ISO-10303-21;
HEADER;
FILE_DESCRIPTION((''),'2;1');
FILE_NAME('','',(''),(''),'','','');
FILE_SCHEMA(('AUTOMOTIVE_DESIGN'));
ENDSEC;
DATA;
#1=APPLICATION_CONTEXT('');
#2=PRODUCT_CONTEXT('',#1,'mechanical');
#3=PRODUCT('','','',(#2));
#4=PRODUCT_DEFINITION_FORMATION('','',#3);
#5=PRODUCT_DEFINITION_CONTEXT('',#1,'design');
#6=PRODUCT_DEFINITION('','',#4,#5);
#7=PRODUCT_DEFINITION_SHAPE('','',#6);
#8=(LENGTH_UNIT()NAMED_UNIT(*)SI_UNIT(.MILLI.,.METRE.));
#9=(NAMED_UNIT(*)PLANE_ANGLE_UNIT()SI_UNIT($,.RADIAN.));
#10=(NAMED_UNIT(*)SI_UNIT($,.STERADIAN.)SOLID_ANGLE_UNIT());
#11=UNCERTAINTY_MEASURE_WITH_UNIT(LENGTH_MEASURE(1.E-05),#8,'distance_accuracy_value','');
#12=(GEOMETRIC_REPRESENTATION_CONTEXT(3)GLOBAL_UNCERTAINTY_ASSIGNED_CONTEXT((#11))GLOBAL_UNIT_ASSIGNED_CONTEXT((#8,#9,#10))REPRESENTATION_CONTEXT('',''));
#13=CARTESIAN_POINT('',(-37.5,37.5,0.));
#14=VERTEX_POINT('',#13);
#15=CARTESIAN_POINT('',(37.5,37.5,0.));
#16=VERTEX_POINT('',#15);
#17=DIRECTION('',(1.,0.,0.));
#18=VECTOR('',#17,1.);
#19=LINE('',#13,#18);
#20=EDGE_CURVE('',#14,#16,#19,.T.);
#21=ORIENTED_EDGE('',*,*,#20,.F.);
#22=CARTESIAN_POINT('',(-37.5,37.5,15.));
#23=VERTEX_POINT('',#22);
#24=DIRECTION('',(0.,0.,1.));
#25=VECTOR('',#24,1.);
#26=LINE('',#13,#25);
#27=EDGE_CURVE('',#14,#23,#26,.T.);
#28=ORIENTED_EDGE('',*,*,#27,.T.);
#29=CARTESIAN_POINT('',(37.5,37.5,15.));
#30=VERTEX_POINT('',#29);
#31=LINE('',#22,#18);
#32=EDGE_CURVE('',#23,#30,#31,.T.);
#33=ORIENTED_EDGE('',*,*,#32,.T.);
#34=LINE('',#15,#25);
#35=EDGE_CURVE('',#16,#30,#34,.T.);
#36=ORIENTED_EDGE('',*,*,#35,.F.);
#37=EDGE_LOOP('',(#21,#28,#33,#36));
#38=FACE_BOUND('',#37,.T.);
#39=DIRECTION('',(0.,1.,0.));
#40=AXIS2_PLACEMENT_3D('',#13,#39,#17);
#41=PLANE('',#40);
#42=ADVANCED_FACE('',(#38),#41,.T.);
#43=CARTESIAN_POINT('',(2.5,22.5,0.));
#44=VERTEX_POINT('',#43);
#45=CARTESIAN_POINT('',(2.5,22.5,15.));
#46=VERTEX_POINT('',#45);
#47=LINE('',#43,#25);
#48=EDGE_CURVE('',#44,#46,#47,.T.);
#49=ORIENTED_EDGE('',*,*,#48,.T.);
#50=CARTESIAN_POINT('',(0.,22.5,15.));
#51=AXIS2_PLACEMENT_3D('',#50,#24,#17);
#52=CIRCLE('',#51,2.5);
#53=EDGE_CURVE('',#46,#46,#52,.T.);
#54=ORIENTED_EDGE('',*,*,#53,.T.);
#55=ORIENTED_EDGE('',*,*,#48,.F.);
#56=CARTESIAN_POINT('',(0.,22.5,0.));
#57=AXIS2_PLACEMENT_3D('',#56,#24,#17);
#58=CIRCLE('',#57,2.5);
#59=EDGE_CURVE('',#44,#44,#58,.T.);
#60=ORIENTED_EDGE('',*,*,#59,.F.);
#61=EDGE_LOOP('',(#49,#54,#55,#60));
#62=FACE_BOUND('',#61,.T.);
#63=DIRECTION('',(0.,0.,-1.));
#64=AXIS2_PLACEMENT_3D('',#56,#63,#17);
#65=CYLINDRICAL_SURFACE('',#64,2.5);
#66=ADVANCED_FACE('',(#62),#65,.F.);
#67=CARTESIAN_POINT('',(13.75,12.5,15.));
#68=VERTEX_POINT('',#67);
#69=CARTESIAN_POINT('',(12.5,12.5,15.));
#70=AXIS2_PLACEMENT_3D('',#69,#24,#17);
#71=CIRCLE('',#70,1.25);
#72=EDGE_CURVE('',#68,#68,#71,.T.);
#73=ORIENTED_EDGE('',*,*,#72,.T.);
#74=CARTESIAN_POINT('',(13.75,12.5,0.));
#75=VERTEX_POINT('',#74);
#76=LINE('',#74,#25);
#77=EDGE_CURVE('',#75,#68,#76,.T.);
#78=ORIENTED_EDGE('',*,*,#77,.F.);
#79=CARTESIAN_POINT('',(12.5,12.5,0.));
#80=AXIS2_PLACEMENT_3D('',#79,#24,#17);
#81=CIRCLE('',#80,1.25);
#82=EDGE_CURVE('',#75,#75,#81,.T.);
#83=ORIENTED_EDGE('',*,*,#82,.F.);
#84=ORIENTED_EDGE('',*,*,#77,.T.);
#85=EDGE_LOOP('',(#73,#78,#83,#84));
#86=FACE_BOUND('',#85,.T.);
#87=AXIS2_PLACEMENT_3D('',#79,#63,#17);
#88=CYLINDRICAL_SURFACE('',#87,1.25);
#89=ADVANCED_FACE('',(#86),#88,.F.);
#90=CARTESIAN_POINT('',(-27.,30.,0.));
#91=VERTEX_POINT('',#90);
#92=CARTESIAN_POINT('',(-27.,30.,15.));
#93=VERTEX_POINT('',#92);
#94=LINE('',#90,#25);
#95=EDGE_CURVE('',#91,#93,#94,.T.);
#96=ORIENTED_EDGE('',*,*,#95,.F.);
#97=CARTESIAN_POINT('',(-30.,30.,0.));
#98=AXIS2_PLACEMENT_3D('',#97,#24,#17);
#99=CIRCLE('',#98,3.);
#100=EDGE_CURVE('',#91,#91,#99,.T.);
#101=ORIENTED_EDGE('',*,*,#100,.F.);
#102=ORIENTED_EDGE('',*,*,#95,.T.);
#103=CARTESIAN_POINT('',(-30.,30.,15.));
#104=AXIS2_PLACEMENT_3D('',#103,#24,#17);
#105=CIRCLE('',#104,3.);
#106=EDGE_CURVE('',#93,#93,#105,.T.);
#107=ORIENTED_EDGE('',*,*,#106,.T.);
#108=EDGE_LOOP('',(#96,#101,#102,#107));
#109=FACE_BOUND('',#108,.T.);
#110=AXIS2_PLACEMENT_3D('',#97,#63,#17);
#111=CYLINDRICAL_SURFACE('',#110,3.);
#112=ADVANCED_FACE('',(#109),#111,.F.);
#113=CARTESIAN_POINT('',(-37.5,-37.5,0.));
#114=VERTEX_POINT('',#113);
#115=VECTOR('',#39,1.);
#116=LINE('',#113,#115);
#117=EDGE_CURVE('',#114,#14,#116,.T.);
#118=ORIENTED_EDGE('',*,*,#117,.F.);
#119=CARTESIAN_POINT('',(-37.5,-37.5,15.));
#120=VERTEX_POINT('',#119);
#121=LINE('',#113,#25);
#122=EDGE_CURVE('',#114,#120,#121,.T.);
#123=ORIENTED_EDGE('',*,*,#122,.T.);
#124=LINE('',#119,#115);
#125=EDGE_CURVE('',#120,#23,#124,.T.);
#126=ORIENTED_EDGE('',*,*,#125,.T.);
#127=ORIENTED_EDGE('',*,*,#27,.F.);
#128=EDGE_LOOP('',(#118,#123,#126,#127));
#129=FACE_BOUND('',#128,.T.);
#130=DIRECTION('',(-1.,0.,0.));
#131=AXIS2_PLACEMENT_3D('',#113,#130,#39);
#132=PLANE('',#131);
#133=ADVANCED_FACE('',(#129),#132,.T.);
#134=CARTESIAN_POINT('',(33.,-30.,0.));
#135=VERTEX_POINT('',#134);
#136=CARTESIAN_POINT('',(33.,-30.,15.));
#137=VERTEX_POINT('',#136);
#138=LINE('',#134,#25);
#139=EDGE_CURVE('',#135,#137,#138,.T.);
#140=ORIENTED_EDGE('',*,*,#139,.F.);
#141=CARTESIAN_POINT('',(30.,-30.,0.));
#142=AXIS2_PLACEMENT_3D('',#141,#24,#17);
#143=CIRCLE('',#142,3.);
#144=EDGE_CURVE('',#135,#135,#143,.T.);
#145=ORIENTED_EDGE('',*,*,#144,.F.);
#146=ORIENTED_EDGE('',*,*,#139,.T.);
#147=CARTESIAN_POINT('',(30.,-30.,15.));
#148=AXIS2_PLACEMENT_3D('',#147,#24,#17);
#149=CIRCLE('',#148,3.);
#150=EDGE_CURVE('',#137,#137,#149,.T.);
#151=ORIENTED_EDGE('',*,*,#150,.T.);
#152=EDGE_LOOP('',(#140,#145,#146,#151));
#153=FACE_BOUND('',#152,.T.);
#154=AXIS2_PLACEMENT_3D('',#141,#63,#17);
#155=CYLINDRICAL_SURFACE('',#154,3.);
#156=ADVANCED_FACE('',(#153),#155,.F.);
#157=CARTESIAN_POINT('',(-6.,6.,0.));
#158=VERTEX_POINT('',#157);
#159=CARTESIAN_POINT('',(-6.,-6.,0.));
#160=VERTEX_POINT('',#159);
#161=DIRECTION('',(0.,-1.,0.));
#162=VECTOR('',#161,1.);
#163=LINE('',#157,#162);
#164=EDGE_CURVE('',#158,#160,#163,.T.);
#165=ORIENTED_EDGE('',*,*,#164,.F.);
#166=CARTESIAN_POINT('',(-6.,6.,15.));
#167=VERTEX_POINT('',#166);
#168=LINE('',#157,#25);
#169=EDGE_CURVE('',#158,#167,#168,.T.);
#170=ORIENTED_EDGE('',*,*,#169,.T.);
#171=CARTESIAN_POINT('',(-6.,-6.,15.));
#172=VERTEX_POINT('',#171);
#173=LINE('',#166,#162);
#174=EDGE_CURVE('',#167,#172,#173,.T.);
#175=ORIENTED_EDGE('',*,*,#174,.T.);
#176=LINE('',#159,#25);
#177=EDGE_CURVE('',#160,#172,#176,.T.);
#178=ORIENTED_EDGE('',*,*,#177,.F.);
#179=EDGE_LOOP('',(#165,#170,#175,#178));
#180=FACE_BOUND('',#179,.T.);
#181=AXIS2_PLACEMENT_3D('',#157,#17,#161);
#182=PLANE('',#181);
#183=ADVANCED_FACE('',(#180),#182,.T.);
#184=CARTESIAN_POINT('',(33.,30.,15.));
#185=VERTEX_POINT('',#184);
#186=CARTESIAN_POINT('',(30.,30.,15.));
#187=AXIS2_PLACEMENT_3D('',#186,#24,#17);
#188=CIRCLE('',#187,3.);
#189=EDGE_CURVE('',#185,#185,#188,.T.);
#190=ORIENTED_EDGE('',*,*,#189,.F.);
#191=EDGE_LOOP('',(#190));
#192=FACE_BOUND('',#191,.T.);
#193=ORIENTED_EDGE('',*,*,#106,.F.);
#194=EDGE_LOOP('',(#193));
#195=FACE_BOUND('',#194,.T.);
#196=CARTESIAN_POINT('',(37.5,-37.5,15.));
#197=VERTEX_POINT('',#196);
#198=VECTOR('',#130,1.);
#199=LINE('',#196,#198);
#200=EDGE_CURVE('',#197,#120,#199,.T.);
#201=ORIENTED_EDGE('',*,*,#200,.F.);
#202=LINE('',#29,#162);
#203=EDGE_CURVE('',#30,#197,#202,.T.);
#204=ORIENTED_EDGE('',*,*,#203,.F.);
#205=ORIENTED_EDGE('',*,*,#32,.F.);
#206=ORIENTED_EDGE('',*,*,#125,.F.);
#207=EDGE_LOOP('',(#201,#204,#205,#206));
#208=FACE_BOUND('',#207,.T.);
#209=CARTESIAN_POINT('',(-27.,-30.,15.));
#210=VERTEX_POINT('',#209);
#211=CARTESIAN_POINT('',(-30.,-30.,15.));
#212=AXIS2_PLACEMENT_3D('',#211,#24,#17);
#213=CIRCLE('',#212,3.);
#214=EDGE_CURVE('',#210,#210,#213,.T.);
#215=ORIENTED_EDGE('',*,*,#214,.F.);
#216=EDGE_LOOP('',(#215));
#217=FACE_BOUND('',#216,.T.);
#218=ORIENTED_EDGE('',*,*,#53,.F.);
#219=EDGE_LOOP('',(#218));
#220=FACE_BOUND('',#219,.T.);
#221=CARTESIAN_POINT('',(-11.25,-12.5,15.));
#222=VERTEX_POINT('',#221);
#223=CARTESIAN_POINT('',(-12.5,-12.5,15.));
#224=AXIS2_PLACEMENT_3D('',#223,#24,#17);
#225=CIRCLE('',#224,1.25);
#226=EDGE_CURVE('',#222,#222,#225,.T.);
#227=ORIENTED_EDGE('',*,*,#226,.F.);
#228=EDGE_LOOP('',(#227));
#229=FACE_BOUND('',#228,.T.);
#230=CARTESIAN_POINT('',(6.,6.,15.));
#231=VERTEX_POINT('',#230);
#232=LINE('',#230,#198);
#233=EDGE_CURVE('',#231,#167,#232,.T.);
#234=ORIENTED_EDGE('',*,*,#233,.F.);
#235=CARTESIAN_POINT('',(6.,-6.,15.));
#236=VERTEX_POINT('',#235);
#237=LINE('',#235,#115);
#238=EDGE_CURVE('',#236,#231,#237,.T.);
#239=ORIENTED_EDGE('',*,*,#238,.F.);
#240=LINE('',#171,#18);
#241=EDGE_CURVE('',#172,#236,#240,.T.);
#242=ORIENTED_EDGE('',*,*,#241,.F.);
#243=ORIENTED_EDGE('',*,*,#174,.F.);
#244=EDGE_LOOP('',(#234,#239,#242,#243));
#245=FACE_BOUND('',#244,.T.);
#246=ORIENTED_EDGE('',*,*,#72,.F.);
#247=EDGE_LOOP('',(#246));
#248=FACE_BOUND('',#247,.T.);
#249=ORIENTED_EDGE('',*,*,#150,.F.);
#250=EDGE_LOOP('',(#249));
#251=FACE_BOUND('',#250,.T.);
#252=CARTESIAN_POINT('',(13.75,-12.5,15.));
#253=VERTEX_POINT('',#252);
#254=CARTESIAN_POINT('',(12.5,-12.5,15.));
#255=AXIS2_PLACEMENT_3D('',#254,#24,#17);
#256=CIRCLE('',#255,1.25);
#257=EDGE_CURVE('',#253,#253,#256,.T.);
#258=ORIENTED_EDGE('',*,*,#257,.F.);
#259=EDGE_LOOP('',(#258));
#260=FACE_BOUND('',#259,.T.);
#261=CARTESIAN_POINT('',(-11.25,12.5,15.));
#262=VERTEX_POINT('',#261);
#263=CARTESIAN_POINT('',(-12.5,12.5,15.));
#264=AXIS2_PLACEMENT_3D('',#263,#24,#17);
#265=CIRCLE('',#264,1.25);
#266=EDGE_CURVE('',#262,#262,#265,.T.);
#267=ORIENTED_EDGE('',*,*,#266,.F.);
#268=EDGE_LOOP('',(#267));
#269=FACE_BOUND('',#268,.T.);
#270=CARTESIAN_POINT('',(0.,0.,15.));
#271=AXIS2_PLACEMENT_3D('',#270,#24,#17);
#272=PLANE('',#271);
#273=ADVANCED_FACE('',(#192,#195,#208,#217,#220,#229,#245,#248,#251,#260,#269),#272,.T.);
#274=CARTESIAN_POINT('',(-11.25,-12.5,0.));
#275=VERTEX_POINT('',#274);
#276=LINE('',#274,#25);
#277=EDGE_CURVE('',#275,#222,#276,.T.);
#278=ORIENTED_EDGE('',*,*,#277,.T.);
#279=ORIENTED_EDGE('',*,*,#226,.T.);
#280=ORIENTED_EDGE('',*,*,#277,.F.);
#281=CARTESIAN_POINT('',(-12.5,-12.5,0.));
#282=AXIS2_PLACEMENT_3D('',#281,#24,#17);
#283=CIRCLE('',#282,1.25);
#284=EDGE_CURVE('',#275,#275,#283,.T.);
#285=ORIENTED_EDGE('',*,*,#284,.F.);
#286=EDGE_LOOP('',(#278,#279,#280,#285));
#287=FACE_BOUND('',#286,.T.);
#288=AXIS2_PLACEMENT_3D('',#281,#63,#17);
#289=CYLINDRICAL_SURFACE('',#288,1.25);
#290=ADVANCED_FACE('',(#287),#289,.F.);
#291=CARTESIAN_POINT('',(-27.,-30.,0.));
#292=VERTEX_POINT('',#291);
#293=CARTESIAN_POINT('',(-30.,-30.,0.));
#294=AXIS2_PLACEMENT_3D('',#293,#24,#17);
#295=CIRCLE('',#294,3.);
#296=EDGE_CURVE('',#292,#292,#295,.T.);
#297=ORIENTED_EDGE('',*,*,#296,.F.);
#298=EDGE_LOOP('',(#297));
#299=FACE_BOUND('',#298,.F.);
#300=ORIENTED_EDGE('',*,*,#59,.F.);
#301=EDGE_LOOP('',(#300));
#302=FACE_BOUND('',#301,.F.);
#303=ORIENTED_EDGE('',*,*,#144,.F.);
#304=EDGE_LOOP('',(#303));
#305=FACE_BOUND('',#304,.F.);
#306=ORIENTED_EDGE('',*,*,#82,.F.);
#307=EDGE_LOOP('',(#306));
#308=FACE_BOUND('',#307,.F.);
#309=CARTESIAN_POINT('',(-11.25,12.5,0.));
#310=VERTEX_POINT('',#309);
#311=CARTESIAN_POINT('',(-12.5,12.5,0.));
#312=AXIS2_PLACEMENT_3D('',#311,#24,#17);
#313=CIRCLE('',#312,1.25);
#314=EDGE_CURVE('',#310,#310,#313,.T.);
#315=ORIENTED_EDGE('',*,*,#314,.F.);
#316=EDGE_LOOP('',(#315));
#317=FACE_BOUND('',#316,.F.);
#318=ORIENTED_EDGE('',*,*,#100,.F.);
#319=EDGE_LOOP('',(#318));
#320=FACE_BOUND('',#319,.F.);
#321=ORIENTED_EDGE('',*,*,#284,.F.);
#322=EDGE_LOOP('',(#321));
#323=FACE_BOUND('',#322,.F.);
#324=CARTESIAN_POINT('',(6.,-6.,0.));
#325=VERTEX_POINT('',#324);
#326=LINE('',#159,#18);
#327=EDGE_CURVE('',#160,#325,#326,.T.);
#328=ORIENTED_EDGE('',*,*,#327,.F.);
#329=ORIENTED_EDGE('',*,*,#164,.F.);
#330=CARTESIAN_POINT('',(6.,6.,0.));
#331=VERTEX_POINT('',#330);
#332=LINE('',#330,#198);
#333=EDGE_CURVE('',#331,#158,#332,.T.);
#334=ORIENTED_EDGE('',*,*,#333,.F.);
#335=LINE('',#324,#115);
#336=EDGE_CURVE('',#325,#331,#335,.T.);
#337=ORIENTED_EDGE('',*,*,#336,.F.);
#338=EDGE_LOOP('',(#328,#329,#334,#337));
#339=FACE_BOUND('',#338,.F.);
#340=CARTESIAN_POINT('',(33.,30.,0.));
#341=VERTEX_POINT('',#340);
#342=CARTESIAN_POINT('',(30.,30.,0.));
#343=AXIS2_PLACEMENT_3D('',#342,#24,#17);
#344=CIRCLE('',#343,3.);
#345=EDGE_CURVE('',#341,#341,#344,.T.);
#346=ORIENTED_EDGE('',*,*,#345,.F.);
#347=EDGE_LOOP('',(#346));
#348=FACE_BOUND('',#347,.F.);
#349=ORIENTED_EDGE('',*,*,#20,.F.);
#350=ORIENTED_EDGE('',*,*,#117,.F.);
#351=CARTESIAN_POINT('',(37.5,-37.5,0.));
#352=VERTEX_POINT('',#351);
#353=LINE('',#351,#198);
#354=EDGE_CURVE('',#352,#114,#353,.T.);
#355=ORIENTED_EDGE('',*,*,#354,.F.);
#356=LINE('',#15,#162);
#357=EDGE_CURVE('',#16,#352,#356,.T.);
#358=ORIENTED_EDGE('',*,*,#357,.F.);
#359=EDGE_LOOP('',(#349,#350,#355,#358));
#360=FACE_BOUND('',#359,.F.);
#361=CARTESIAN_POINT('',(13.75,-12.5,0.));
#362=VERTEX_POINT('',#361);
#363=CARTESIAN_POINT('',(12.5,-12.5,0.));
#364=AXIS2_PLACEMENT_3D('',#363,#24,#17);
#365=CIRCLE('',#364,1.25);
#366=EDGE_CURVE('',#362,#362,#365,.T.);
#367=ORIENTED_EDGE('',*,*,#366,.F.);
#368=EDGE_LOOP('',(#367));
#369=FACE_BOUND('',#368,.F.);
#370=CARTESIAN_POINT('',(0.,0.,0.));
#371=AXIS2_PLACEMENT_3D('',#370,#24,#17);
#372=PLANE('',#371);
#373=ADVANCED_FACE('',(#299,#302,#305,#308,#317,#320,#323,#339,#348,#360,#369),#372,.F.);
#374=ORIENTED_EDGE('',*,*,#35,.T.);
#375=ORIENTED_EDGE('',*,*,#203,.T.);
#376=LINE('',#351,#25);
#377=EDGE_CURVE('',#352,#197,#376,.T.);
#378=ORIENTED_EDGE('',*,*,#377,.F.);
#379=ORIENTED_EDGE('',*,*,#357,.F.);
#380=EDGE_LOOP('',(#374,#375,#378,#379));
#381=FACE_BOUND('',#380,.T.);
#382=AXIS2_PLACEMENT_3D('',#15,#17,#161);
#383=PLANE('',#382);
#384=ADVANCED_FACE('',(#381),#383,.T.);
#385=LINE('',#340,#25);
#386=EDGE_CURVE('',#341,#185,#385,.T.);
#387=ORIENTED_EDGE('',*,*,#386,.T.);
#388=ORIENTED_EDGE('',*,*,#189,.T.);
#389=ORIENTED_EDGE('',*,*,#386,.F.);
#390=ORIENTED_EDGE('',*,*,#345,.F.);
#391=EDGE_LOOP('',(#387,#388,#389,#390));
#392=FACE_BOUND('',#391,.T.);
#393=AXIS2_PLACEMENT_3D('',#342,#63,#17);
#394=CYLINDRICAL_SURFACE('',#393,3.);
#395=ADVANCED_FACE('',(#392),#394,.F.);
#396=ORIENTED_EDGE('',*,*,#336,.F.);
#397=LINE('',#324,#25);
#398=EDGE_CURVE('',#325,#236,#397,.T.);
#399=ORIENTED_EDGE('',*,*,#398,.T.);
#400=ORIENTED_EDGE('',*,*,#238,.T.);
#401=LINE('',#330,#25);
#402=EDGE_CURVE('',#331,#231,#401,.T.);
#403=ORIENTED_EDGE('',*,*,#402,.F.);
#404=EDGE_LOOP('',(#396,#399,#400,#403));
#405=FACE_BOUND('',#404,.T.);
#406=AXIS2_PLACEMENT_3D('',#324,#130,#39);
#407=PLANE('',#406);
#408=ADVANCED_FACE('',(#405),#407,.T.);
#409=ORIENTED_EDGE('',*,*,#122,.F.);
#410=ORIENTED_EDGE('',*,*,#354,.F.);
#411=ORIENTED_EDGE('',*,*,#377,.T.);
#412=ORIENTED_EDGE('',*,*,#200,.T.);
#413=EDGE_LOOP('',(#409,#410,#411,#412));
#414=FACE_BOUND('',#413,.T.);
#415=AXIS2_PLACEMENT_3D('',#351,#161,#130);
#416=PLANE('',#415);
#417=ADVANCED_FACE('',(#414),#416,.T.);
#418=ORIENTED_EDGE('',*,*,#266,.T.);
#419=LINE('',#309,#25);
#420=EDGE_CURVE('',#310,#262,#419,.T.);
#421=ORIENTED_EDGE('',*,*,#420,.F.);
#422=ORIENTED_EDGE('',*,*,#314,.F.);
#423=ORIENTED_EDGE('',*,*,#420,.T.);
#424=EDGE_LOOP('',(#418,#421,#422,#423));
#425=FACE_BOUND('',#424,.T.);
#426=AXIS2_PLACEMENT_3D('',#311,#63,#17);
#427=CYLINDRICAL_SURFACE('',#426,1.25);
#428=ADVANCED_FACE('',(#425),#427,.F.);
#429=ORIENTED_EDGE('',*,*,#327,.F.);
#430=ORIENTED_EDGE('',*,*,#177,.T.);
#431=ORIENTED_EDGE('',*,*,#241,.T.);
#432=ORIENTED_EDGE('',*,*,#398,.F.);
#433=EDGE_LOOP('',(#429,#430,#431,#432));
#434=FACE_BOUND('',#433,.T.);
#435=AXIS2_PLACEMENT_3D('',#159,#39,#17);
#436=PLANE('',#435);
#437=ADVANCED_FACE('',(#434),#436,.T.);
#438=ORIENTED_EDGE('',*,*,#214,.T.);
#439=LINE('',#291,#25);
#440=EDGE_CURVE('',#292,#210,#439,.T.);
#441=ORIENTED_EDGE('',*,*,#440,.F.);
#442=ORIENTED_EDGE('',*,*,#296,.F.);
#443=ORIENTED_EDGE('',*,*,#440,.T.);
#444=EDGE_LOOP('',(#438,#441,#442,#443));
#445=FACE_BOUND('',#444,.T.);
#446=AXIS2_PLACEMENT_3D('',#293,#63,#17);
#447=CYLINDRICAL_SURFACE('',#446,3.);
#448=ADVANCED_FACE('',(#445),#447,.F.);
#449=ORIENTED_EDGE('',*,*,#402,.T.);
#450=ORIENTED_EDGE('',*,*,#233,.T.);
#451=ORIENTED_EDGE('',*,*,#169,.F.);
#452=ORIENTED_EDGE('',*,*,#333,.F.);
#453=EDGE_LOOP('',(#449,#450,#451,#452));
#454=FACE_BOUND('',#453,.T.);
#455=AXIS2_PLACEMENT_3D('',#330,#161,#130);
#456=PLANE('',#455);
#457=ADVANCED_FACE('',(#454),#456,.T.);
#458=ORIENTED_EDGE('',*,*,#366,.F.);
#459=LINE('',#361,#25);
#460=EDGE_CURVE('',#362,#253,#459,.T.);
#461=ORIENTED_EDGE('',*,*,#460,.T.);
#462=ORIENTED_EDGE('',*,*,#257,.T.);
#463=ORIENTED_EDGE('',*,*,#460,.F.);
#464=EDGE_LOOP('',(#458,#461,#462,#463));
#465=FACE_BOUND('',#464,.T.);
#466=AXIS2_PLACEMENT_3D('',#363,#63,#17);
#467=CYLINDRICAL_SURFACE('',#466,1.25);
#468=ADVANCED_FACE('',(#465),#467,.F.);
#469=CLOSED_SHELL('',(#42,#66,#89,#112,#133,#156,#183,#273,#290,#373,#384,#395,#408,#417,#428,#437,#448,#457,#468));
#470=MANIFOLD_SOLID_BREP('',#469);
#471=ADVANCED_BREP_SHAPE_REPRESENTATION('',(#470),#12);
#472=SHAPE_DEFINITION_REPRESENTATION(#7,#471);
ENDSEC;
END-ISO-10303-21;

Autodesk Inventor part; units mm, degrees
ref_plane "YZ Plane" through (0, 0, 0) normal (1, 0, 0) x (0, 1, 0)
ref_plane "XZ Plane" through (0, 0, 0) normal (0, 1, 0) x (-1, 0, 0)
ref_plane "XY Plane" through (0, 0, 0) normal (0, 0, 1) x (1, 0, 0)
sketch "Szkic1" plane through (0, 0, 0) normal (0, 1, 0) x (-1, 0, 0)
  point P0 (0, 0)
sketch "Szkic2" plane through (0, 0, 0) normal (0, 0, 1) x (1, 0, 0)
  line L0 (-37.5, 37.5) -> (37.5, 37.5)
  line L1 (37.5, 37.5) -> (37.5, -37.5)
  line L2 (37.5, -37.5) -> (-37.5, -37.5)
  line L3 (-37.5, -37.5) -> (-37.5, 37.5)
  line L4 (-37.5, 37.5) -> (37.5, -37.5) construction
  line L5 (37.5, 37.5) -> (-37.5, -37.5) construction
  line L6 (-30, -30) -> (30, -30) construction
  line L7 (30, -30) -> (30, 30) construction
  line L8 (30, 30) -> (-30, 30) construction
  line L9 (-30, 30) -> (-30, -30) construction
  line L10 (-30, -30) -> (30, 30) construction
  line L11 (30, -30) -> (-30, 30) construction
  circle A0 centre (30, 30) radius 3
  circle A1 centre (30, -30) radius 3
  circle A2 centre (-30, 30) radius 3
  circle A3 centre (-30, -30) radius 3
  line L12 (-12.5, 12.5) -> (12.5, 12.5) construction
  line L13 (12.5, 12.5) -> (12.5, -12.5) construction
  line L14 (12.5, -12.5) -> (-12.5, -12.5) construction
  line L15 (-12.5, -12.5) -> (-12.5, 12.5) construction
  line L16 (-12.5, 12.5) -> (12.5, -12.5) construction
  line L17 (12.5, 12.5) -> (-12.5, -12.5) construction
  circle A4 centre (12.5, 12.5) radius 1.25
  circle A5 centre (12.5, -12.5) radius 1.25
  circle A6 centre (-12.5, -12.5) radius 1.25
  circle A7 centre (-12.5, 12.5) radius 1.25
  line L18 (-6, -6) -> (6, -6)
  line L19 (6, -6) -> (6, 6)
  line L20 (6, 6) -> (-6, 6)
  line L21 (-6, 6) -> (-6, -6)
  line L22 (-6, -6) -> (6, 6) construction
  line L23 (6, -6) -> (-6, 6) construction
  circle A8 centre (0, 22.5) radius 2.5
  point P0 (0, 0)
  point P1 (0, 37.5)
  dimension "d0" = 75
  dimension "d1" = 60
  dimension "d2" = 6
  dimension "d3" = 25
  dimension "d4" = 2.5
  dimension "d5" = 12
  dimension "d6" = 5
  dimension "d7" = 15
extrude "Wyciągnięcie proste1" add sketch "Szkic2" along normal blind 15
properties part number "led_cnc"
